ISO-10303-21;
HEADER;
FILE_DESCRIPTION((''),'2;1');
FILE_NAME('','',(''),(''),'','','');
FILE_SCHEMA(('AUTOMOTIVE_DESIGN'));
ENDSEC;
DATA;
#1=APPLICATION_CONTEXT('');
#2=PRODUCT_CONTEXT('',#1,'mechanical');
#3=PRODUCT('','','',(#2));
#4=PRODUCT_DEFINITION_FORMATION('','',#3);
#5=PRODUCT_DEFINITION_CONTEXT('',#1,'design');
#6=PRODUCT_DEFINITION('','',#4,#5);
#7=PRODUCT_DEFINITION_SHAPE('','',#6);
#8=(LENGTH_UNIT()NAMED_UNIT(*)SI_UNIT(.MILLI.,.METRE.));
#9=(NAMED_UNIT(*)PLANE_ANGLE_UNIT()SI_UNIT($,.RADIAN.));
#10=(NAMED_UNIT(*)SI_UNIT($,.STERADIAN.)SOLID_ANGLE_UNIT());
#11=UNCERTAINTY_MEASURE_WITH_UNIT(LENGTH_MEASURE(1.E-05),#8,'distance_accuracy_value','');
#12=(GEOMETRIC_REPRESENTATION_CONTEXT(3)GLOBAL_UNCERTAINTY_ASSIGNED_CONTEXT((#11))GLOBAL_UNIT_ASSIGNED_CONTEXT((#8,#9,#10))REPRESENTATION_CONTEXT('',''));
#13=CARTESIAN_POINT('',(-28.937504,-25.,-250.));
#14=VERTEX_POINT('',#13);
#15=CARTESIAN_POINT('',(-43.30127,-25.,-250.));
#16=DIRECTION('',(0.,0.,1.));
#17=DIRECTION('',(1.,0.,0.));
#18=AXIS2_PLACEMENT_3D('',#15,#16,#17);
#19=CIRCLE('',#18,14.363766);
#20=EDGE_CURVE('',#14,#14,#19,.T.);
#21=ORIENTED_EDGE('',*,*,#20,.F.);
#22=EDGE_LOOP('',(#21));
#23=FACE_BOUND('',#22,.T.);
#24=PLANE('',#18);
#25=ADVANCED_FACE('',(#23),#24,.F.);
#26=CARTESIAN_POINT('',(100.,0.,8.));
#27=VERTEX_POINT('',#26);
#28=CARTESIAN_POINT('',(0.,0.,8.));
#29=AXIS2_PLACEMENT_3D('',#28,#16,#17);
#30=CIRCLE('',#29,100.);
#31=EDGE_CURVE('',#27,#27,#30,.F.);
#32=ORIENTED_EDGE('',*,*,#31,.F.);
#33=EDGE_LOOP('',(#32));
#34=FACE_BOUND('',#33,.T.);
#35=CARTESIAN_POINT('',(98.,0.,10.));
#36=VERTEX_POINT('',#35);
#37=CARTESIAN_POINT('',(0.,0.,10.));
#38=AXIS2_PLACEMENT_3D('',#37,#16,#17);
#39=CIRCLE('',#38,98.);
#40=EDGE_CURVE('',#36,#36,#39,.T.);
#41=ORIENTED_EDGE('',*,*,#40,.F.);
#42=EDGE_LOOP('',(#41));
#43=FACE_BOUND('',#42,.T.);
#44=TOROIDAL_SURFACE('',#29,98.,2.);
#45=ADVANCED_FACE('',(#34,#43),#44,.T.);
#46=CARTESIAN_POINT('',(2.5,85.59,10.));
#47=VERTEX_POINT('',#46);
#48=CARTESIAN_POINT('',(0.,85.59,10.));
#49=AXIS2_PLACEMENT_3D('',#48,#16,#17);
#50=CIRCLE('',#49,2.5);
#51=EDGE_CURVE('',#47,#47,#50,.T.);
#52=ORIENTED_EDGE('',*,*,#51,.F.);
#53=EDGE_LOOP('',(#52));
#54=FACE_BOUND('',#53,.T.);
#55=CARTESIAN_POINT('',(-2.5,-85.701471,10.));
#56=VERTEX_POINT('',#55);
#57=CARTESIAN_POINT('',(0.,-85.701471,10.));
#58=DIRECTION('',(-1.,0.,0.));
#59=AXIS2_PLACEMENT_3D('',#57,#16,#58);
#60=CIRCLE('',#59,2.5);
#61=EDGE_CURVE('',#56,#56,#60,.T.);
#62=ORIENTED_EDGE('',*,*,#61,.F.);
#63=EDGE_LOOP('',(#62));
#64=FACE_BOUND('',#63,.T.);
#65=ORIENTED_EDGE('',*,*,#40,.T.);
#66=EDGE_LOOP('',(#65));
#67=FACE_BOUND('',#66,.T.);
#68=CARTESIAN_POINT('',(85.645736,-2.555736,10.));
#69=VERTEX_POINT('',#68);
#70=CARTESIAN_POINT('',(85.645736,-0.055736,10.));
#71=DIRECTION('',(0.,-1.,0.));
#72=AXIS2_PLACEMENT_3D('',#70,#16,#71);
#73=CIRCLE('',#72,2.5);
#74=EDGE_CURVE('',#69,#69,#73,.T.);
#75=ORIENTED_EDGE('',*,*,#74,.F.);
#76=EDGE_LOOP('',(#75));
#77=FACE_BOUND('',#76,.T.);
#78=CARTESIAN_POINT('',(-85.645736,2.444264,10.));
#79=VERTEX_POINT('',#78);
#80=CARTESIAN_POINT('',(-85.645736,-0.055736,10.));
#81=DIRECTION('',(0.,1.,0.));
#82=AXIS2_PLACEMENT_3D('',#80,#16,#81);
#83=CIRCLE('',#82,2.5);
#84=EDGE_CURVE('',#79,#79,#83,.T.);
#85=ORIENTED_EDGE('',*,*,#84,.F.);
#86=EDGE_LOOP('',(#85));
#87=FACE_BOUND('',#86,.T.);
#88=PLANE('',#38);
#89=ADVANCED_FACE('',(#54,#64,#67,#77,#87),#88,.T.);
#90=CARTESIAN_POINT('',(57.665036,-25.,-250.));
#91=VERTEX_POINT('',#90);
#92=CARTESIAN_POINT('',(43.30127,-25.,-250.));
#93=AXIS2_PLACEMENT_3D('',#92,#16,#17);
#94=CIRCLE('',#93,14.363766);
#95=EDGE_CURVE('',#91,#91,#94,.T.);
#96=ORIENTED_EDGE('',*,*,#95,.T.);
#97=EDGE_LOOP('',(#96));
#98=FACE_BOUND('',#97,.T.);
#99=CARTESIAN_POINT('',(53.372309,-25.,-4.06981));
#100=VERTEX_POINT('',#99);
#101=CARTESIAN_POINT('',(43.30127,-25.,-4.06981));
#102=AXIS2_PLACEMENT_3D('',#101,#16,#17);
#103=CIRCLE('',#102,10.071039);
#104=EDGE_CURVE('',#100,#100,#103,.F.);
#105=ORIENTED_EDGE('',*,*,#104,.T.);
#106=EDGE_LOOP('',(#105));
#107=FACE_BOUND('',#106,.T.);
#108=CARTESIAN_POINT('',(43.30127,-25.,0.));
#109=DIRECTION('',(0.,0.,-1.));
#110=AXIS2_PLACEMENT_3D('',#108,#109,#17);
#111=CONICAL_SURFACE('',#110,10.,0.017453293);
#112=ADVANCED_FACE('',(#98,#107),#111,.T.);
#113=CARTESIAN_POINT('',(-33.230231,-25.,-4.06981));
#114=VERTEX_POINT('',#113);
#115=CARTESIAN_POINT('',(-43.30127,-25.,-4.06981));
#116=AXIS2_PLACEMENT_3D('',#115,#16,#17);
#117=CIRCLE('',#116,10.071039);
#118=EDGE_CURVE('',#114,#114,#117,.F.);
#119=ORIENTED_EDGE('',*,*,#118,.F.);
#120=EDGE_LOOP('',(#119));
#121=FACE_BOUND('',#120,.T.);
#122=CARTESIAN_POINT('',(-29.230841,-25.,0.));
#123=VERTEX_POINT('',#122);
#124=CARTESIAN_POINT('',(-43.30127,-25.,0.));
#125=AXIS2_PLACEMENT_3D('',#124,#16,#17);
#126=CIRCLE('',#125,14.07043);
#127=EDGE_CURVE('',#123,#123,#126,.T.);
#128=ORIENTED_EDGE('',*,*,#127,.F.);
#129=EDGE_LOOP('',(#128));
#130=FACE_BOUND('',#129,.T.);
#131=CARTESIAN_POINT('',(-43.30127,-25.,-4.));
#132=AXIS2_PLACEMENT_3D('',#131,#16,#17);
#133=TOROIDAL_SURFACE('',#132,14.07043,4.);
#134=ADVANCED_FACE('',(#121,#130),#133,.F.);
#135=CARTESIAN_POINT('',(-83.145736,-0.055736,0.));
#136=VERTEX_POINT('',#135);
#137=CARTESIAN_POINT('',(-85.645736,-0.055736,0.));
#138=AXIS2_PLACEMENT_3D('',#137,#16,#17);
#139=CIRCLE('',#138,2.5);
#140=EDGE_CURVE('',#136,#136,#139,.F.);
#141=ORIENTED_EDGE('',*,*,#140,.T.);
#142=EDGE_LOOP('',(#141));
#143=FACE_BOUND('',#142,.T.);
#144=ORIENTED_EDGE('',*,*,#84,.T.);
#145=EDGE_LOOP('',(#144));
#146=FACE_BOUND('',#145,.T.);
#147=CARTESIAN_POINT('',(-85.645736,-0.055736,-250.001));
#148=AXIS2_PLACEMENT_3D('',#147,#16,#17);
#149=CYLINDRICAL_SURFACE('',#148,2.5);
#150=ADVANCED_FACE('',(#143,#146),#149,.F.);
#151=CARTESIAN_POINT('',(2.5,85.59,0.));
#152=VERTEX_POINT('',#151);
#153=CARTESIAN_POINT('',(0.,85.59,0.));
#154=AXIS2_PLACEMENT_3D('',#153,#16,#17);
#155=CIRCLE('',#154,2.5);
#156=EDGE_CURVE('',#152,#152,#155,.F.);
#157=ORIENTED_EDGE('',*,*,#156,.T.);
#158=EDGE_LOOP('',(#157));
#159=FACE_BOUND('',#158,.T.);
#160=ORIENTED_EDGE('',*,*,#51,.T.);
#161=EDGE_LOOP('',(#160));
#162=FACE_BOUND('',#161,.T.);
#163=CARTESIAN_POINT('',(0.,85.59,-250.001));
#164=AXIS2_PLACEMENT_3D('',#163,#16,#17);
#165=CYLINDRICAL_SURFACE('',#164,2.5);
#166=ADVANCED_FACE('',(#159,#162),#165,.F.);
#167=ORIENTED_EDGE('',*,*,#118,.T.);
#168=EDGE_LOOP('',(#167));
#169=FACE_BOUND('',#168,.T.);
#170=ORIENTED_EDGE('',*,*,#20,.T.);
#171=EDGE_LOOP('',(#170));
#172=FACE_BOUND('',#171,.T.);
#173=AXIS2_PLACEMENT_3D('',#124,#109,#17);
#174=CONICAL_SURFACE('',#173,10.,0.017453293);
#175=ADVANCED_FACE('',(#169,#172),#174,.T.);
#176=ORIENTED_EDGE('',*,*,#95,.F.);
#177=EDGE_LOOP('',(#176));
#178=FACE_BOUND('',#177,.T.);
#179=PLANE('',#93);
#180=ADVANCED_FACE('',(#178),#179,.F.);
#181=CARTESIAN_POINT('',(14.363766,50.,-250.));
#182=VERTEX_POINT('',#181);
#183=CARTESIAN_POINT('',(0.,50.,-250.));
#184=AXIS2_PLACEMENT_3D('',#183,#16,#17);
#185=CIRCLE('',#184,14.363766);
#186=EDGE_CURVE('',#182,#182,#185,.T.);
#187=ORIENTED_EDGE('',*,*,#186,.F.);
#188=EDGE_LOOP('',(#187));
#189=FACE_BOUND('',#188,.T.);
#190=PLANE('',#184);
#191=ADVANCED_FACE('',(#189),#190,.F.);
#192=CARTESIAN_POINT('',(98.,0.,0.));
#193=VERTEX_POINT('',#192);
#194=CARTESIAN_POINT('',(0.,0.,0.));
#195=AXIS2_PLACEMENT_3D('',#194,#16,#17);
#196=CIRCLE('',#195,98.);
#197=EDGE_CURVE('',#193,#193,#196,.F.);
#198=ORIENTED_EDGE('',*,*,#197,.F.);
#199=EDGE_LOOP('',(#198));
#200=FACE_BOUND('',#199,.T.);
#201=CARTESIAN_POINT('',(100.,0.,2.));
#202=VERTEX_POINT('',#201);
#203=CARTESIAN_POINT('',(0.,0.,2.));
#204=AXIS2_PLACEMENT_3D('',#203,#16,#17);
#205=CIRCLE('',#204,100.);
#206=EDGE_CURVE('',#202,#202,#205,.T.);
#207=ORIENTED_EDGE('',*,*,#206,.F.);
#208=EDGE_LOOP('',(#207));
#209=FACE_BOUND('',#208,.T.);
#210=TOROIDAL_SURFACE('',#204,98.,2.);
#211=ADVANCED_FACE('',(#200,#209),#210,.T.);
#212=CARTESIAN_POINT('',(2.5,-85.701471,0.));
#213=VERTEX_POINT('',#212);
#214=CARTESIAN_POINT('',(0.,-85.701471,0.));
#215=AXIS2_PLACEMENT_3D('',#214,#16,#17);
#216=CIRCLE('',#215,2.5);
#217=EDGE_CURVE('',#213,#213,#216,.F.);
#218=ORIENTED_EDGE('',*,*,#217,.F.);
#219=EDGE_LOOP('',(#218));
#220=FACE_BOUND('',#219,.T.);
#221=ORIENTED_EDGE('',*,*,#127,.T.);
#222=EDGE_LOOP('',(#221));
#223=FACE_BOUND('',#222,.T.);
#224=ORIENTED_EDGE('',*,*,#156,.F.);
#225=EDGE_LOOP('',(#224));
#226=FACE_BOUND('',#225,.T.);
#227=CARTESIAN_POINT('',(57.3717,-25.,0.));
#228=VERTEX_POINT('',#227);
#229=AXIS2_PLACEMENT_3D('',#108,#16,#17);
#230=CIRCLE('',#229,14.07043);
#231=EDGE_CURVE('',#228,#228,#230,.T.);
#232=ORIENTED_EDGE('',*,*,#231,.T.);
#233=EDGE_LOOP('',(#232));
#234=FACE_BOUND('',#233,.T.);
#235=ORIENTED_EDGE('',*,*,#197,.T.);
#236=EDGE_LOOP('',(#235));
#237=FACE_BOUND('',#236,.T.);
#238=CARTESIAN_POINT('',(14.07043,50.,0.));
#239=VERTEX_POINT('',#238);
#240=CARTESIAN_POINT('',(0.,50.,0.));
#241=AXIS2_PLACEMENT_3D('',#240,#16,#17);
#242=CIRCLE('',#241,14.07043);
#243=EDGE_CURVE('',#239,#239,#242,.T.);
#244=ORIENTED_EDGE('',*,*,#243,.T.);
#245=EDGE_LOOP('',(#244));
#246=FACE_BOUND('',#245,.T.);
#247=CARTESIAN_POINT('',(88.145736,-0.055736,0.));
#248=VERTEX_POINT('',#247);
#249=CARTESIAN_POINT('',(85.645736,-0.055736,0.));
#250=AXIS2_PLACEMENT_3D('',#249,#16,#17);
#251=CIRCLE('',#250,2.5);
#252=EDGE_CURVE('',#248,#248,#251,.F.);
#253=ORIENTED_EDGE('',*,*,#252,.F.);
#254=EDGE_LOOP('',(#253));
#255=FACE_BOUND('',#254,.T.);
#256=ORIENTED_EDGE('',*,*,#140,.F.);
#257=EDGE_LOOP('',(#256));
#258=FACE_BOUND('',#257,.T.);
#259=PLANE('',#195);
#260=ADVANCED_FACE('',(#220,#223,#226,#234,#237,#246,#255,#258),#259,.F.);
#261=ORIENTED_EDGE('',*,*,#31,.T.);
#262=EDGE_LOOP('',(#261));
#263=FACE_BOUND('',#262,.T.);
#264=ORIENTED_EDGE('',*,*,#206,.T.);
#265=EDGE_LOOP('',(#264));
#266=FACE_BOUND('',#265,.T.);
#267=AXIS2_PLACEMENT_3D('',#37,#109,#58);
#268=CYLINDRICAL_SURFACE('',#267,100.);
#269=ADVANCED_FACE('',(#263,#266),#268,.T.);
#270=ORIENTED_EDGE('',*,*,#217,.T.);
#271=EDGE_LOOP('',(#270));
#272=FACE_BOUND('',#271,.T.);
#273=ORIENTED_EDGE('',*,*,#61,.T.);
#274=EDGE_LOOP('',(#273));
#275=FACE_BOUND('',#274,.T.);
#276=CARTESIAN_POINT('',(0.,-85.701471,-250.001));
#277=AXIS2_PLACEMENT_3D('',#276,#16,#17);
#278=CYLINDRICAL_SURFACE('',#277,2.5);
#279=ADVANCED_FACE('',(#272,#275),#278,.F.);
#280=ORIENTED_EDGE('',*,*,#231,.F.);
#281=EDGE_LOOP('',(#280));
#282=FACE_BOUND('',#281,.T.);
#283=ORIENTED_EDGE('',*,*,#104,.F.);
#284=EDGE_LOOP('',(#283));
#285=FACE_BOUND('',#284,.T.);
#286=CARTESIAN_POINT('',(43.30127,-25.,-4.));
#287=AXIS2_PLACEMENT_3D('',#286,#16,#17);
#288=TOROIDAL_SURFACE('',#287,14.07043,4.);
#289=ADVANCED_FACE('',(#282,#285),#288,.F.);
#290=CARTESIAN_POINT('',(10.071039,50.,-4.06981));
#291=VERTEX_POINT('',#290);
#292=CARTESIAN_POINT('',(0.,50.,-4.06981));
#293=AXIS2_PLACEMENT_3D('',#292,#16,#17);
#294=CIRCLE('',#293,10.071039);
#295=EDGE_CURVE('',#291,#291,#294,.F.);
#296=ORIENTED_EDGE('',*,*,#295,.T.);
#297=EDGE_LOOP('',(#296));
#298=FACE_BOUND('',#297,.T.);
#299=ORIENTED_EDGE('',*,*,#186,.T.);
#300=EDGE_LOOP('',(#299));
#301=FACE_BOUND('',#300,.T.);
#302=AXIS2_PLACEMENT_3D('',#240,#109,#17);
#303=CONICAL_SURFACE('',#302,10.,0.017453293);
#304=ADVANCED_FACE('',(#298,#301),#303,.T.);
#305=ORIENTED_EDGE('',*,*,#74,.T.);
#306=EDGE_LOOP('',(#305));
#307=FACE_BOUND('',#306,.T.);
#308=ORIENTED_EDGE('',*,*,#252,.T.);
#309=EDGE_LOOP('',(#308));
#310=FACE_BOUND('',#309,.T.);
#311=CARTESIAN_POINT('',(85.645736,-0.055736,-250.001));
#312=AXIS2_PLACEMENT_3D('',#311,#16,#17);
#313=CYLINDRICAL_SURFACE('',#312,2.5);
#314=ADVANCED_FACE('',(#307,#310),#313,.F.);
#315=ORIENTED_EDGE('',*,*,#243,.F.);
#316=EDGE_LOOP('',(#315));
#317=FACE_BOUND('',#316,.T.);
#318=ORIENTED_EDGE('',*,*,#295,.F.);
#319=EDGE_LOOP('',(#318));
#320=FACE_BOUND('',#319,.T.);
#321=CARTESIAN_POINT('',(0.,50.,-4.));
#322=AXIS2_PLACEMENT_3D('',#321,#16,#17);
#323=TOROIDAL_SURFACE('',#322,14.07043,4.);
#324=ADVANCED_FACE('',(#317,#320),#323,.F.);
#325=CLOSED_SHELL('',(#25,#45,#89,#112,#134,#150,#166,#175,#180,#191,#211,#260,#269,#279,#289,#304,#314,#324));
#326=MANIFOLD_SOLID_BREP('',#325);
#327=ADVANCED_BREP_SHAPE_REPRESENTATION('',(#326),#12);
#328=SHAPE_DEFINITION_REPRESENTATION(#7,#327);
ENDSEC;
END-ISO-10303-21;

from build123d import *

# Parameters (mm, degrees)
SKETCH1_R                     = 100
BOSS_EXTRUDE1_DEPTH           = 10
SKETCH2_R                     = 10
BOSS_EXTRUDE2_DEPTH           = 250
BOSS_EXTRUDE2_DRAFT           = 1
BOSS_EXTRUDE2_PROFILE_2_DEPTH = 250
BOSS_EXTRUDE2_PROFILE_2_DRAFT = 1
BOSS_EXTRUDE2_PROFILE_3_DEPTH = 250
BOSS_EXTRUDE2_PROFILE_3_DRAFT = 1
FILLET1_R                     = 2
FILLET2_R                     = 2
CUT_EXTRUDE1_REACH            = 297.973
SKETCH4_R                     = 2.5
FILLET3_R                     = 4
CIRPATTERN1_COUNT             = 4


with BuildPart() as part:
    # Sketch1 → Boss-Extrude1 (new body)
    with BuildSketch(Plane.XY):
        Circle(SKETCH1_R)
    extrude(amount=BOSS_EXTRUDE1_DEPTH)


with BuildPart() as boss_extrude2_tool:
    # Sketch2 → Boss-Extrude2 (with draft: the straight prism first)
    with BuildSketch(Plane.XY):
        with Locations((0, 50)):
            Circle(SKETCH2_R)
    extrude(amount=-BOSS_EXTRUDE2_DEPTH)
    # Boss-Extrude2: the draft: its side faces are tilted about the plane it starts from
    boss_extrude2_sides = [boss_extrude2_tool.faces().sort_by_distance(p)[0] for p in [
        (-10, 50, -125),
    ]]
    draft(boss_extrude2_sides, Plane.XY, BOSS_EXTRUDE2_DRAFT)


with BuildPart() as part_1:
    add(part.part)

    # Boss-Extrude2: add boss_extrude2_tool
    add(boss_extrude2_tool.part)


with BuildPart() as boss_extrude2_profile_2_tool:
    # Sketch2 → Boss-Extrude2 profile 2 (with draft: the straight prism first)
    with BuildSketch(Plane.XY):
        with Locations((43.301270189, -25)):
            Circle(SKETCH2_R)
    extrude(amount=-BOSS_EXTRUDE2_PROFILE_2_DEPTH)
    # Boss-Extrude2 profile 2: the draft: its side faces are tilted about the plane it starts from
    boss_extrude2_profile_2_sides = [boss_extrude2_profile_2_tool.faces().sort_by_distance(p)[0] for p in [
        (33.301270189, -25, -125),
    ]]
    draft(boss_extrude2_profile_2_sides, Plane.XY, BOSS_EXTRUDE2_PROFILE_2_DRAFT)


with BuildPart() as part_2:
    add(part_1.part)

    # Boss-Extrude2 profile 2: add boss_extrude2_profile_2_tool
    add(boss_extrude2_profile_2_tool.part)


with BuildPart() as boss_extrude2_profile_3_tool:
    # Sketch2 → Boss-Extrude2 profile 3 (with draft: the straight prism first)
    with BuildSketch(Plane.XY):
        with Locations((-43.301270189, -25)):
            Circle(SKETCH2_R)
    extrude(amount=-BOSS_EXTRUDE2_PROFILE_3_DEPTH)
    # Boss-Extrude2 profile 3: the draft: its side faces are tilted about the plane it starts from
    boss_extrude2_profile_3_sides = [boss_extrude2_profile_3_tool.faces().sort_by_distance(p)[0] for p in [
        (-53.301270189, -25, -125),
    ]]
    draft(boss_extrude2_profile_3_sides, Plane.XY, BOSS_EXTRUDE2_PROFILE_3_DRAFT)


with BuildPart() as part_3:
    add(part_2.part)

    # Boss-Extrude2 profile 3: add boss_extrude2_profile_3_tool
    add(boss_extrude2_profile_3_tool.part)

    # Fillet1
    fillet1_edges = [part_3.edges().sort_by_distance(p)[0] for p in [
        (-100, 0, 10),
    ]]
    fillet(fillet1_edges, radius=FILLET1_R)

    # Fillet2
    fillet2_edges = [part_3.edges().sort_by_distance(p)[0] for p in [
        (-100, 0, 0),
    ]]
    fillet(fillet2_edges, radius=FILLET2_R)

    # Sketch4 → Cut-Extrude1 (cut, up to next)
    with BuildSketch(Plane.XY.offset(10), mode=Mode.PRIVATE) as cut_extrude1_sk1:
        with Locations((0, 85.59)):
            Circle(SKETCH4_R)
    cut_extrude1_tool1 = extrude(cut_extrude1_sk1.sketch, amount=-CUT_EXTRUDE1_REACH, mode=Mode.PRIVATE) & part_3.part
    cut_extrude1 = cut_extrude1_tool1.solids().sort_by_distance((0, 85.59, 10))[0]
    add(cut_extrude1, mode=Mode.SUBTRACT)

    # Fillet3
    fillet3_edges = [part_3.edges().sort_by_distance(p)[0] for p in [
        (-53.301270189, -25, 0),
        (-10, 50, 0),
        (33.301270189, -25, 0),
    ]]
    fillet(fillet3_edges, radius=FILLET3_R)

    # CirPattern1: Cut-Extrude1 ×4 about axis
    cirpattern1_axis = Axis((0, -0.055735719, 0), (0, 0, 1))
    for i in range(1, CIRPATTERN1_COUNT):
        add(cut_extrude1.rotate(cirpattern1_axis, i * 360 / CIRPATTERN1_COUNT), mode=Mode.SUBTRACT)


solid = part_3.part
